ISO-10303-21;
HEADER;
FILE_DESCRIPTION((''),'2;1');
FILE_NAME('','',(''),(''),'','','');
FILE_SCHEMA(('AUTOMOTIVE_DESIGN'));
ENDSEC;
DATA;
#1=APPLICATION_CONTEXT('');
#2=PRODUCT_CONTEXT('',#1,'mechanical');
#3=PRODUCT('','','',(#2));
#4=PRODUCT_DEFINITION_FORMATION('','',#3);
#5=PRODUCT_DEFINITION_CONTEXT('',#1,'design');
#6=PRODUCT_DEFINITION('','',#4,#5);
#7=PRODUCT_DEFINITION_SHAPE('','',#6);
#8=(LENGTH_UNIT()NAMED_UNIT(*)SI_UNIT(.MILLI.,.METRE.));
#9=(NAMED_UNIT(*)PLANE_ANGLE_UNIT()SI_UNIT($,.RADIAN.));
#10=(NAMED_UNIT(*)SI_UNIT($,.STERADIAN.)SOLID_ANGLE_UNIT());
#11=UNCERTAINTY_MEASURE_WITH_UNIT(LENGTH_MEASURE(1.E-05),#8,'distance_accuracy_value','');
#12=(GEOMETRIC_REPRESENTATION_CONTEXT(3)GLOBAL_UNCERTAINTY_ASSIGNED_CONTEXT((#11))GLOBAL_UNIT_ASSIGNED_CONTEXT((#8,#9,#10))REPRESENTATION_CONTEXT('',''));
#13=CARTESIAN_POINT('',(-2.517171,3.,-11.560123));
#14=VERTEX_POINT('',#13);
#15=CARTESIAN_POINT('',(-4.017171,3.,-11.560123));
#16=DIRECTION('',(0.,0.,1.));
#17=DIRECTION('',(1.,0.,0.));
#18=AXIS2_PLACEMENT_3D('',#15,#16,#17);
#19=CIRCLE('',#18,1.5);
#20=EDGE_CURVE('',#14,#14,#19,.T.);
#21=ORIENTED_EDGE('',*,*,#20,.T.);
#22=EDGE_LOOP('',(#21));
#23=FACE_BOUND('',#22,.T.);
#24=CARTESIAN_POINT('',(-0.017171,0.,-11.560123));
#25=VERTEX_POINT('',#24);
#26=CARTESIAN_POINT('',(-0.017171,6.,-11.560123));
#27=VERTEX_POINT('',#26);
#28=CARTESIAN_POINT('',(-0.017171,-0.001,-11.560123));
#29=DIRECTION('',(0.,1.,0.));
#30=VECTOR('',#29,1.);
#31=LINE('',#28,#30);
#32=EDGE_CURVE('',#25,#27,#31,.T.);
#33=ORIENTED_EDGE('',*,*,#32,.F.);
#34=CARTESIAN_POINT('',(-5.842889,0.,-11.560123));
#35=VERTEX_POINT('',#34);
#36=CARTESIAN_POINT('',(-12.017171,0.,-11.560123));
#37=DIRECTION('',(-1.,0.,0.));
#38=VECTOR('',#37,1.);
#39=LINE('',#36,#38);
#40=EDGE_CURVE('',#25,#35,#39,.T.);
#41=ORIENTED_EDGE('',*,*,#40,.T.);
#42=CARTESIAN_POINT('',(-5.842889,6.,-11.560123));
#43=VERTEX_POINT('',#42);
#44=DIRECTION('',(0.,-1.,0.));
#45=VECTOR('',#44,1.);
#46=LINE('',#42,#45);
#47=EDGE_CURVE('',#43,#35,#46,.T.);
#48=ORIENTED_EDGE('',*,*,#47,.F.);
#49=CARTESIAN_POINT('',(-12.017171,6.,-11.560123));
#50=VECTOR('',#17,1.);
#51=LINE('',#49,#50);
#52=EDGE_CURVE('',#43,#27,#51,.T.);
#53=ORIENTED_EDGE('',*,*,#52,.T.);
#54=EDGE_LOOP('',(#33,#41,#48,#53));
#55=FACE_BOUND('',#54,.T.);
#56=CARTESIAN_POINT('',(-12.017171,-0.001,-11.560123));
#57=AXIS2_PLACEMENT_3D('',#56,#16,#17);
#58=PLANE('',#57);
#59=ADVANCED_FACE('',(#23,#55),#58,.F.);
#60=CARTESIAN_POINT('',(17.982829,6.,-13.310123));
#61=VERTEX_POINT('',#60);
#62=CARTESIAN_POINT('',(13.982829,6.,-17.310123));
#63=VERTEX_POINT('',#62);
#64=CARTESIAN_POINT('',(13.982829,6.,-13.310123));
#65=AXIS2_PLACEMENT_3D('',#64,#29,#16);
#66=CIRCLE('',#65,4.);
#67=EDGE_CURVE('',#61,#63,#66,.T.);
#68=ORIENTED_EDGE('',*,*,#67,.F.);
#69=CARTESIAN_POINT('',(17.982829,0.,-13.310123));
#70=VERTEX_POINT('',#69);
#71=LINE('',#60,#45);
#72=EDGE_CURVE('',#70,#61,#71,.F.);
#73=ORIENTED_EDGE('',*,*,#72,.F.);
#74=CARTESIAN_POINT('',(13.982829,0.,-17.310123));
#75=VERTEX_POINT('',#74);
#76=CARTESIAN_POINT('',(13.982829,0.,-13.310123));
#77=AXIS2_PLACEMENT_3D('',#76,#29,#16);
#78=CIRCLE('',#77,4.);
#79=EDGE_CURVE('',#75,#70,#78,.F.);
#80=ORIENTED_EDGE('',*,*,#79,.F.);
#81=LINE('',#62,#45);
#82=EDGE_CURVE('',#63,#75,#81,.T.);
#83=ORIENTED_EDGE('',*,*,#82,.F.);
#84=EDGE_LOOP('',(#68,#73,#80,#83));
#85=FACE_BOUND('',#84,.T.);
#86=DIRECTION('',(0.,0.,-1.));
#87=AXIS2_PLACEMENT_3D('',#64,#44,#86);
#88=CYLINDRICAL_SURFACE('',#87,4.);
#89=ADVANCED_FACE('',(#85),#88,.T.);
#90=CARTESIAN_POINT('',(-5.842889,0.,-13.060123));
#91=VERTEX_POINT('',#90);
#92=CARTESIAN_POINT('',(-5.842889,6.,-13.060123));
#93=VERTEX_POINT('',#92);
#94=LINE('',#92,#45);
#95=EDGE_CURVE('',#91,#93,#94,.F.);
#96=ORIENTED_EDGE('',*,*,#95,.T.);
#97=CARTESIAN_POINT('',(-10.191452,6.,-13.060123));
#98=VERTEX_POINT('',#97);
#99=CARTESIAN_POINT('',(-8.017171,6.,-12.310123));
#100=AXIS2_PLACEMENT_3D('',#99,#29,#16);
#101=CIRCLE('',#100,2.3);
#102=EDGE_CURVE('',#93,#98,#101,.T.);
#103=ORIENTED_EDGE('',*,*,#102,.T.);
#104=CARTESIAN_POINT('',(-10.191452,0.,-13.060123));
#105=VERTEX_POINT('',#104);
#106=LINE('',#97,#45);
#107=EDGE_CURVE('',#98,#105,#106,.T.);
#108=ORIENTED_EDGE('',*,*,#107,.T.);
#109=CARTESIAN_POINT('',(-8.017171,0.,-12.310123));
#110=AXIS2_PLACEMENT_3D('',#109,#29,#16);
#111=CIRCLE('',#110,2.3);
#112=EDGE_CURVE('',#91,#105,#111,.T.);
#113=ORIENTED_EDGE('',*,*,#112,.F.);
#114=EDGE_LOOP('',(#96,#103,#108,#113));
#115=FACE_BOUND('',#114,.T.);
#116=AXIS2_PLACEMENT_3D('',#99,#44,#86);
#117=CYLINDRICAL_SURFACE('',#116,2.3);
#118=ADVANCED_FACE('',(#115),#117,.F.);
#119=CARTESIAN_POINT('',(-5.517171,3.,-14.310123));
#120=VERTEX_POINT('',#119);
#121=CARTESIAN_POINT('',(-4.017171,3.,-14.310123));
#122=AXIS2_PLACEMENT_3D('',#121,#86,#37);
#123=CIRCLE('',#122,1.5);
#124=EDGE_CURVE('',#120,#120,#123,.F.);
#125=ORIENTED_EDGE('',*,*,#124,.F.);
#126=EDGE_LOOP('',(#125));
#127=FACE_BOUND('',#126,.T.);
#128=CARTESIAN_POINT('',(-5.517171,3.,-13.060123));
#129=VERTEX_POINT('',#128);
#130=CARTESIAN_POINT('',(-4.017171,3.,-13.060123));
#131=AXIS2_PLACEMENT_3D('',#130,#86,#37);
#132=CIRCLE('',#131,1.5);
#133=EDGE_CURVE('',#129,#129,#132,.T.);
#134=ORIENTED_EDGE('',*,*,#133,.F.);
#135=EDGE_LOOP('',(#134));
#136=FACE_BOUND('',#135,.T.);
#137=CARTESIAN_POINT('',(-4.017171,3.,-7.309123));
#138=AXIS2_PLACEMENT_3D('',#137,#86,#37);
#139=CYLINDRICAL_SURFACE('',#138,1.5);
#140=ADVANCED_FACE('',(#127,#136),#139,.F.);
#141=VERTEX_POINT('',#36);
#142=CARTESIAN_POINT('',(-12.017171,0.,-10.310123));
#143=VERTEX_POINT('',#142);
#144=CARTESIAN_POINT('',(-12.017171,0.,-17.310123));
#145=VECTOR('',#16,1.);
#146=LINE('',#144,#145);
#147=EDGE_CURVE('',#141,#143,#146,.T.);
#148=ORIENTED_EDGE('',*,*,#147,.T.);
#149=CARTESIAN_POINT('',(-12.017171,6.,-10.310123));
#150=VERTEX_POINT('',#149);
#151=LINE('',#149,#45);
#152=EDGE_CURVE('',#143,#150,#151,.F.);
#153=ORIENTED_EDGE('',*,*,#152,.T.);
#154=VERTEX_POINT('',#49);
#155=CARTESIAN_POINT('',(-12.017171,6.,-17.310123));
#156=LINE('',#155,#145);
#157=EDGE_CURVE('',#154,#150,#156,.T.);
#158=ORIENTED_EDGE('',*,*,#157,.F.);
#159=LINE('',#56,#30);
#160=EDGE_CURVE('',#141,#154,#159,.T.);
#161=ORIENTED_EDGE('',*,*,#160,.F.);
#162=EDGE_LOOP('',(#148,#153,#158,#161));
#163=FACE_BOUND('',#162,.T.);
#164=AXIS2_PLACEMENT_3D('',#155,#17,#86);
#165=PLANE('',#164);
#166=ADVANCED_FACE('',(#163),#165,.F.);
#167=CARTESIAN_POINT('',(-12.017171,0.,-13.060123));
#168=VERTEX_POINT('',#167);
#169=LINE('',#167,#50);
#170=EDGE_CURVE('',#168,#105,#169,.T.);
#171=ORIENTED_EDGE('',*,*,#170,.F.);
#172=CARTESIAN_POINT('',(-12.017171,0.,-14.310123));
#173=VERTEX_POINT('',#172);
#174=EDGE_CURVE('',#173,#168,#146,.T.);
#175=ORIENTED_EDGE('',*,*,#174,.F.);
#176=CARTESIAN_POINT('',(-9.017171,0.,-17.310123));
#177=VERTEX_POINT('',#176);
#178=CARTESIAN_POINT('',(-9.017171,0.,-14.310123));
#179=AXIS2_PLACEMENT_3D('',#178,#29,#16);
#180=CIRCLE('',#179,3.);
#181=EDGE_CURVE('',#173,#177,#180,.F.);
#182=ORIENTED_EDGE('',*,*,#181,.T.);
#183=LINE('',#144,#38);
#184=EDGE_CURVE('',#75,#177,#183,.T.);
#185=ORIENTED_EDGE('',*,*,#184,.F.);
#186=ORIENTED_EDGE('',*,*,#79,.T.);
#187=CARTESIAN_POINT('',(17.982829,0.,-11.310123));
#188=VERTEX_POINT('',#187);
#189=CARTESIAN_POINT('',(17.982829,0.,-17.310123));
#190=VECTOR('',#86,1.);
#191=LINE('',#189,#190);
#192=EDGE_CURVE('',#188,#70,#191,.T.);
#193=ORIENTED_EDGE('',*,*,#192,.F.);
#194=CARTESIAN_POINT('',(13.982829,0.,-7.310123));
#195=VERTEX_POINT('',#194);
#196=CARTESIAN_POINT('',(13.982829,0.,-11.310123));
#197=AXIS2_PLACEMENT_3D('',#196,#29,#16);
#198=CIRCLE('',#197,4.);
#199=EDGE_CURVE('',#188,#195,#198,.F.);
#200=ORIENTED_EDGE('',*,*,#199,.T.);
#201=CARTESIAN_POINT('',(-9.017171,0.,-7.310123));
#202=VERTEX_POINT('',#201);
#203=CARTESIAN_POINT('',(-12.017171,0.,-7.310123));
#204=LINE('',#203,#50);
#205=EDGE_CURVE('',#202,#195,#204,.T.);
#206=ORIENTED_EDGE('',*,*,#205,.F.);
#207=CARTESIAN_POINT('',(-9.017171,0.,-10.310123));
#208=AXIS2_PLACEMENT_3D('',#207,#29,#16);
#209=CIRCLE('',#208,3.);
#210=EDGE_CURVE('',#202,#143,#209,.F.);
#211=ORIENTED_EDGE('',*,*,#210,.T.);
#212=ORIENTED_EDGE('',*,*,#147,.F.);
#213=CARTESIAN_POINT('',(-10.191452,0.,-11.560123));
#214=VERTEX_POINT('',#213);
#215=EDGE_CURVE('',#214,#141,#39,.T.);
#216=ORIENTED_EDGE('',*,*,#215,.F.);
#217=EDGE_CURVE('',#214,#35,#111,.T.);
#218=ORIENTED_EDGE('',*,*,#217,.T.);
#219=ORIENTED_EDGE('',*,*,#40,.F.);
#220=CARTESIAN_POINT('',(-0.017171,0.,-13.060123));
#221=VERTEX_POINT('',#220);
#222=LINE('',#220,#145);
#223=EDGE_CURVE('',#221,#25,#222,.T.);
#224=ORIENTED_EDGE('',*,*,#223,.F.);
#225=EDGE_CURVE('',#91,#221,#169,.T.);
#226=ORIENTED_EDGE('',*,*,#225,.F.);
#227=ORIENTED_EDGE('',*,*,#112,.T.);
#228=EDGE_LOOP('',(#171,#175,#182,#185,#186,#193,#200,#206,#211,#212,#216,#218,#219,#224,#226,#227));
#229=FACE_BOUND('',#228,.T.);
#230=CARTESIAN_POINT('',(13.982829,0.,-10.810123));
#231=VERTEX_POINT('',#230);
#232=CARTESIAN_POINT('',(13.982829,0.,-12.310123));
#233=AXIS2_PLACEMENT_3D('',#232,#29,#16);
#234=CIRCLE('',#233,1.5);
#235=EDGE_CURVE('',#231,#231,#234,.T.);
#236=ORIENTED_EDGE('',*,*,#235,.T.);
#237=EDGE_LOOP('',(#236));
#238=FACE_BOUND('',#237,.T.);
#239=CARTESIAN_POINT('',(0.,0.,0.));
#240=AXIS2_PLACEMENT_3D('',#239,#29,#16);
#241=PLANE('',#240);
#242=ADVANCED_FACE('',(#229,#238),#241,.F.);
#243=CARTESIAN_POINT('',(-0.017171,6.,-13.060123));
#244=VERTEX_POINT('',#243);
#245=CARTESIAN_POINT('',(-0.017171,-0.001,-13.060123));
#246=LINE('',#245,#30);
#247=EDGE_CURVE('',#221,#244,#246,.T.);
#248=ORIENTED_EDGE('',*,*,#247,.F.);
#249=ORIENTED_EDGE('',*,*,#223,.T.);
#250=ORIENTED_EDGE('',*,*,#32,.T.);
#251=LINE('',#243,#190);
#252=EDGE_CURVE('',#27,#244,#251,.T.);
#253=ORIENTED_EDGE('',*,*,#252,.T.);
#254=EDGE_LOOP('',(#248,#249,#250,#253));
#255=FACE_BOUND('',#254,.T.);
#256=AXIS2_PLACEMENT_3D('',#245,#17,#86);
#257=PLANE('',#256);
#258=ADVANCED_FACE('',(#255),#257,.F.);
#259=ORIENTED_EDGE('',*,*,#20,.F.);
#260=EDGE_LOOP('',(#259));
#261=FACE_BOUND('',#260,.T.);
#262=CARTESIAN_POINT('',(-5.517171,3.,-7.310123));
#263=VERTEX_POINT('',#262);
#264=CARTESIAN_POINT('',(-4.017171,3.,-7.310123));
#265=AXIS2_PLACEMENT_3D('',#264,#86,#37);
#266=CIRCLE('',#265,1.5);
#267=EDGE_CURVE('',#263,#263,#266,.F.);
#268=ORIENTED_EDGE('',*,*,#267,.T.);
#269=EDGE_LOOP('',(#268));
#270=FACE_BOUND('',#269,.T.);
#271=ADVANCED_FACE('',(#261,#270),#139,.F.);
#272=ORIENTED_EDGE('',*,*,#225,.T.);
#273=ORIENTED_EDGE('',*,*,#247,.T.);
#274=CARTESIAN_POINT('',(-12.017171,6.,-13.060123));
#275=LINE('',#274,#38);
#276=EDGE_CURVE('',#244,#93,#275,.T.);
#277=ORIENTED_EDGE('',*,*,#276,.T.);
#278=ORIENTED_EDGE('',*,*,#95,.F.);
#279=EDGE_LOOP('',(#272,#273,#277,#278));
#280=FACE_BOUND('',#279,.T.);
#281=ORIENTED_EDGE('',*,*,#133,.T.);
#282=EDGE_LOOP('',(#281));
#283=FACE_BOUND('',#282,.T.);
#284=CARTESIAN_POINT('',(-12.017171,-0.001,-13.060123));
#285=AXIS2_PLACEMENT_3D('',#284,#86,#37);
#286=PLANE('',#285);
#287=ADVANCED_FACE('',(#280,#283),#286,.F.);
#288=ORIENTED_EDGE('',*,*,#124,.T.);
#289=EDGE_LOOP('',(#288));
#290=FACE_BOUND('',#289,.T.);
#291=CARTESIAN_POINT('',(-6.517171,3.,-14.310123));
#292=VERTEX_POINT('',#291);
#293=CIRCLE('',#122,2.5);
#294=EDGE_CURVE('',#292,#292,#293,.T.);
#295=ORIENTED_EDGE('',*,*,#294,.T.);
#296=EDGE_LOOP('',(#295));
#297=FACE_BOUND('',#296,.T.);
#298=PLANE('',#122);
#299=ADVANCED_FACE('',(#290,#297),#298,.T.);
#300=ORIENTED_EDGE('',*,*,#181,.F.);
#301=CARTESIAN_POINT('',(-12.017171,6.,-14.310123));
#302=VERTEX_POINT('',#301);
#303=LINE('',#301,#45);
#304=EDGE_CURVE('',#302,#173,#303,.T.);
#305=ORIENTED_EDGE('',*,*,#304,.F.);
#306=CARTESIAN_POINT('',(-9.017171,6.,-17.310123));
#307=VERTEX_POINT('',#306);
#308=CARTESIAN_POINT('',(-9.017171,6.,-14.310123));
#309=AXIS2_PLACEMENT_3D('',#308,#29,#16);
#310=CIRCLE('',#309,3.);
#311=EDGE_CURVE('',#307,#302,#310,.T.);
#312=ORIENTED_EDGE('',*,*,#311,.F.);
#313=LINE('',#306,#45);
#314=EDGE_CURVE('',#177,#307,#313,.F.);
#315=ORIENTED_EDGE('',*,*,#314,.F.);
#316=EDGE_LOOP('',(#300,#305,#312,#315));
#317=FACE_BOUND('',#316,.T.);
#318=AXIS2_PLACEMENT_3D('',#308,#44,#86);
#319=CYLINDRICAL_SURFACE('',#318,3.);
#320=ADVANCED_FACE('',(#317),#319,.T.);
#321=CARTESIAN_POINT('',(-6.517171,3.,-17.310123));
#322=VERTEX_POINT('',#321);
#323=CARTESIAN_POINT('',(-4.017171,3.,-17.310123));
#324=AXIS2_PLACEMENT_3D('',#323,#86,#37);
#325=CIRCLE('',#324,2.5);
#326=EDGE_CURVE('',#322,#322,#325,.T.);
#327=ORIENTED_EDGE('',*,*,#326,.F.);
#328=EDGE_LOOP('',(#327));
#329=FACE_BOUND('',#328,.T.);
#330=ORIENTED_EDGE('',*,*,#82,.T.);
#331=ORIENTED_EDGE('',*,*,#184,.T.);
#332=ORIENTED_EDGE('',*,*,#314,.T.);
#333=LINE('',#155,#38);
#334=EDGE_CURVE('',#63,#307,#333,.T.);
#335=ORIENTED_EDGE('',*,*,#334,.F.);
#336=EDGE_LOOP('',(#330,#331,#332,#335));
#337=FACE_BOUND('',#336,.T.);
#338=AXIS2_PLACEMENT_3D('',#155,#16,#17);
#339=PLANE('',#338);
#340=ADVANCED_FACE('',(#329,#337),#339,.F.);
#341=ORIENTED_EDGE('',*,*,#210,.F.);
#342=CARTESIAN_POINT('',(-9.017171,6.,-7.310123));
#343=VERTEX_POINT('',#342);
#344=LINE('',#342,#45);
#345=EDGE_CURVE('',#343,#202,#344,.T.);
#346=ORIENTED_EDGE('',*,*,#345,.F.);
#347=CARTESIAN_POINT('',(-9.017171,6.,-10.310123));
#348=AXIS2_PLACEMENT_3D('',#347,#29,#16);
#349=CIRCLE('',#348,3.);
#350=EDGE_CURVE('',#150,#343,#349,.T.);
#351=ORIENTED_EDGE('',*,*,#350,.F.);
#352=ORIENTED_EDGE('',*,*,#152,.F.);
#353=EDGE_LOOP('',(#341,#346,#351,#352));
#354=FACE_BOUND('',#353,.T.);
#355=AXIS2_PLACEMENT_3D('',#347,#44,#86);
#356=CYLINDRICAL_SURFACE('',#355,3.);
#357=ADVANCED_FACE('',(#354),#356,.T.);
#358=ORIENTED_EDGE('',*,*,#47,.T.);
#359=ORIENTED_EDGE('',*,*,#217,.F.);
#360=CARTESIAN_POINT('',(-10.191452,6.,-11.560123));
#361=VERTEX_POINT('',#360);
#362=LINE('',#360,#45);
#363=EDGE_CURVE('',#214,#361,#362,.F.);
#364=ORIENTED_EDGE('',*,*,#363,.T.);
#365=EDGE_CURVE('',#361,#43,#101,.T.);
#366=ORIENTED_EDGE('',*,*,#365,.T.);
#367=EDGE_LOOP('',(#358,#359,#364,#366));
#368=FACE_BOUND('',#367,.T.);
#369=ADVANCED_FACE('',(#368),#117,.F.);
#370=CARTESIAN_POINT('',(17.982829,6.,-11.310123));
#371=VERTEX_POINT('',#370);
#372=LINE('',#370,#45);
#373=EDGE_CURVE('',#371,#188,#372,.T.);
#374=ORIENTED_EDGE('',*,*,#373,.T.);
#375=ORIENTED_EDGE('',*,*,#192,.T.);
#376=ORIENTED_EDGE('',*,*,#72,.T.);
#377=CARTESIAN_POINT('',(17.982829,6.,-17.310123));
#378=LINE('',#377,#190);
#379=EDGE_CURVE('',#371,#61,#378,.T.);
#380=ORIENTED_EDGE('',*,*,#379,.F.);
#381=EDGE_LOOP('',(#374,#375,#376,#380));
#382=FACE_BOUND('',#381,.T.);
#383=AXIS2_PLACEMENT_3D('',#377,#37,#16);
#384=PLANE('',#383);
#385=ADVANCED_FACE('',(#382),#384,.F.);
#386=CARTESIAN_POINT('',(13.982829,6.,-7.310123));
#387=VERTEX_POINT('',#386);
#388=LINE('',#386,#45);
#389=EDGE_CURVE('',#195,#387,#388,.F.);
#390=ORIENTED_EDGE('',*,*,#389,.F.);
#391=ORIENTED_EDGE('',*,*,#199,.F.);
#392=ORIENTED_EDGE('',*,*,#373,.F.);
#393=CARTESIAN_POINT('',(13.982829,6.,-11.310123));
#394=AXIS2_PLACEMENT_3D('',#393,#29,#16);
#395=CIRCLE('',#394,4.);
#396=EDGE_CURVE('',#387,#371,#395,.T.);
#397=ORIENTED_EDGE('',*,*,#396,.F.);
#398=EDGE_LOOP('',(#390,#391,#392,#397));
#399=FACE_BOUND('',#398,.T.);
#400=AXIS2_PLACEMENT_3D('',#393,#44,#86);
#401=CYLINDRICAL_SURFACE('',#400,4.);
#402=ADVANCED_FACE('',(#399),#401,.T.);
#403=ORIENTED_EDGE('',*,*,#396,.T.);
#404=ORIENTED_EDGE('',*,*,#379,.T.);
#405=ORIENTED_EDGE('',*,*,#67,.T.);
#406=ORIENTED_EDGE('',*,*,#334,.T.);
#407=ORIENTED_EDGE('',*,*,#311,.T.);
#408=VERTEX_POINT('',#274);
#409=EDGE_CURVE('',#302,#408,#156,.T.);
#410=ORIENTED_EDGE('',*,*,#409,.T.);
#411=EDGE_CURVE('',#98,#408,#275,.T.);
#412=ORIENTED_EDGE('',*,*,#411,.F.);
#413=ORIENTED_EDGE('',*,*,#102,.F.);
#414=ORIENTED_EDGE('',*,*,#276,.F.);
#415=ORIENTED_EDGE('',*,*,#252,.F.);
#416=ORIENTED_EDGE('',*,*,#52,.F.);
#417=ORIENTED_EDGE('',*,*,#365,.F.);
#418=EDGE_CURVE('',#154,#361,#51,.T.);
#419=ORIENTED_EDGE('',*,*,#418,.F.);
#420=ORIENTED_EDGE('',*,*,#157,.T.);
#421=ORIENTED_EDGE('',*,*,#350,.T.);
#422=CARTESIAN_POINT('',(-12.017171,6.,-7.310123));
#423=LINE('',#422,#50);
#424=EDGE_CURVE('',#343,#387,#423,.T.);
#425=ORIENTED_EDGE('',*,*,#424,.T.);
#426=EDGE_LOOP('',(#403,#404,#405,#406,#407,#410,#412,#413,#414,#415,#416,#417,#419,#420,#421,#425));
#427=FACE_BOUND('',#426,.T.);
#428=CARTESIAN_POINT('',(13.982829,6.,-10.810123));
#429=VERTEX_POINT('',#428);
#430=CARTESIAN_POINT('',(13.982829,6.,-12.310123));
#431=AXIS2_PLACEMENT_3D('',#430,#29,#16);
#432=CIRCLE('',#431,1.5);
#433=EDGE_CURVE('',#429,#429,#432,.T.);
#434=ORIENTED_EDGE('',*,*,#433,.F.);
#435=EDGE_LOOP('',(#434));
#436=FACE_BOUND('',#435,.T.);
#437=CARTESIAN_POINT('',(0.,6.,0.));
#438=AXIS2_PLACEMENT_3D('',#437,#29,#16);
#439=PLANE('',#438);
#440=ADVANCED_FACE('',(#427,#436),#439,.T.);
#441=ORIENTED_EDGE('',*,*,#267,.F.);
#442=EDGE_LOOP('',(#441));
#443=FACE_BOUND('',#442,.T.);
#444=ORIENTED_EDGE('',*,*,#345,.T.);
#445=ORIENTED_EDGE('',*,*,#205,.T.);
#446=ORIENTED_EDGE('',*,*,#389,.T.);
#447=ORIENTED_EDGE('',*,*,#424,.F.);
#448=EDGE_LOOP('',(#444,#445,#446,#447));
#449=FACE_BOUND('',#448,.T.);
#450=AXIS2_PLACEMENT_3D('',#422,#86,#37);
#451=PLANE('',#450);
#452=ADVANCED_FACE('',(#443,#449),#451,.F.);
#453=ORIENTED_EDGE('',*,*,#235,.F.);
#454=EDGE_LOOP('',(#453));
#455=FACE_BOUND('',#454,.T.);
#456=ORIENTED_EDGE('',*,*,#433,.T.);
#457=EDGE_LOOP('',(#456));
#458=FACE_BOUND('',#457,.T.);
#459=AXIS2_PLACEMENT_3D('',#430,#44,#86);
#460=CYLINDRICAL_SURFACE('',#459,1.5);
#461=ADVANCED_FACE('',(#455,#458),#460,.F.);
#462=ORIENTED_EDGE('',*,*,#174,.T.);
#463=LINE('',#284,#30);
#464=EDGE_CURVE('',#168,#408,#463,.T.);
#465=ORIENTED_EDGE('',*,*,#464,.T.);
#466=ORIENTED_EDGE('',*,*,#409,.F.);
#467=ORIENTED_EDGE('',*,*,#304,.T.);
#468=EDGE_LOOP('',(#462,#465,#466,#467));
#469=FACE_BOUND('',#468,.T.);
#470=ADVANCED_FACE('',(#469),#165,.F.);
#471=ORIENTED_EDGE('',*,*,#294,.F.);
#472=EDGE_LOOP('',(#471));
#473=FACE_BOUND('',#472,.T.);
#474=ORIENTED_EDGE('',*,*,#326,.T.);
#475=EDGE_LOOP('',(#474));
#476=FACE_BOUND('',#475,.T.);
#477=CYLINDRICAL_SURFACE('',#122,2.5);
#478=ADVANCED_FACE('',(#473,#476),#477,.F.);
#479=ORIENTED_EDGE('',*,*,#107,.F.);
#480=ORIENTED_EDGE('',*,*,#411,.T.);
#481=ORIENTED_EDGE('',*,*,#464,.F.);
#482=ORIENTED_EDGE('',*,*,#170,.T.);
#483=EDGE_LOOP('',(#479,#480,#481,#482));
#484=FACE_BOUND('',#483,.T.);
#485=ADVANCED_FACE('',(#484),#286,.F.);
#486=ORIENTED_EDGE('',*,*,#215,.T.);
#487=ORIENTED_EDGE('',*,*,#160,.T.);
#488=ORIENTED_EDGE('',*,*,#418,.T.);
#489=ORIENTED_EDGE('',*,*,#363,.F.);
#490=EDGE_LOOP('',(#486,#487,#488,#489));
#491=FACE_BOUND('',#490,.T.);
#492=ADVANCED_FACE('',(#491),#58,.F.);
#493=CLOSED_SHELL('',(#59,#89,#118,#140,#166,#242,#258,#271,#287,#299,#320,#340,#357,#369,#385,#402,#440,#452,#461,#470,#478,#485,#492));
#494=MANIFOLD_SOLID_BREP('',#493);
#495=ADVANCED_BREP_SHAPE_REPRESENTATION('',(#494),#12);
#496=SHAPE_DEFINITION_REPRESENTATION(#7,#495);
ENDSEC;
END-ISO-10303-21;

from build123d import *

# Parameters (mm, degrees)
SKETCH1_W           = 30
SKETCH1_H           = 10
SKETCH1_R           = 2.3
SKETCH1_R_2         = 1.5
BOSS_EXTRUDE1_DEPTH = 6
FILLET1_R           = 4
FILLET2_R           = 3
CUT_EXTRUDE1_REACH  = 23.433
SKETCH3_R           = 1.5
SKETCH4_R           = 1.75
CUT_EXTRUDE2_DEPTH  = 3
SKETCH7_R           = 2.5
CUT_EXTRUDE6_DEPTH  = 3
CUT_EXTRUDE7_START  = -6
SKETCH8_W           = 12
SKETCH8_H           = 1.5
CUT_EXTRUDE7_DEPTH  = 6


with BuildPart() as part:
    # Sketch1 → Boss-Extrude1 (new body)
    with BuildSketch(Plane(origin=(0, 0, 0), x_dir=(1, 0, 0), z_dir=(0, 1, 0))):
        with Locations((2.982829209, 12.310123294)):
            Rectangle(SKETCH1_W, SKETCH1_H)
        with Locations(Location((-8.017170791, 12.310123294, 0), (0, 0, 270))):
            Circle(SKETCH1_R, mode=Mode.SUBTRACT)
        with Locations(Location((13.982829209, 12.310123294, 0), (0, 0, 270))):
            Circle(SKETCH1_R_2, mode=Mode.SUBTRACT)
    extrude(amount=BOSS_EXTRUDE1_DEPTH)

    # Fillet1
    fillet1_edges = [part.edges().sort_by_distance(p)[0] for p in [
        (17.982829209, 3, -17.310123294),
        (17.982829209, 3, -7.310123294),
    ]]
    fillet(fillet1_edges, radius=FILLET1_R)

    # Fillet2
    fillet2_edges = [part.edges().sort_by_distance(p)[0] for p in [
        (-12.017170791, 3, -17.310123294),
        (-12.017170791, 3, -7.310123294),
    ]]
    fillet(fillet2_edges, radius=FILLET2_R)

    # Sketch3 → Cut-Extrude1 (cut, up to next)
    with BuildSketch(Plane(origin=(0, 0, -17.310123294), x_dir=(-1, 0, 0), z_dir=(0, 0, -1)), mode=Mode.PRIVATE) as cut_extrude1_sk1:
        with Locations((4.017170791, 3)):
            Circle(SKETCH3_R)
    cut_extrude1_tool1 = extrude(cut_extrude1_sk1.sketch, amount=-CUT_EXTRUDE1_REACH, mode=Mode.PRIVATE) & part.part
    add(cut_extrude1_tool1.solids().sort_by_distance((-4.017171, 3, -17.310123))[0], mode=Mode.SUBTRACT)

    # Sketch4 → Cut-Extrude2 (cut)
    with BuildSketch(Plane(origin=(0, 0, -17.310123294), x_dir=(-1, 0, 0), z_dir=(0, 0, -1))):
        with Locations((4.017170791, 3)):
            Circle(SKETCH4_R)
    extrude(amount=-CUT_EXTRUDE2_DEPTH, mode=Mode.SUBTRACT)

    # Sketch7 → Cut-Extrude6 (cut)
    with BuildSketch(Plane(origin=(0, 0, -17.310123294), x_dir=(-1, 0, 0), z_dir=(0, 0, -1))):
        with Locations((4.017170791, 3)):
            Circle(SKETCH7_R)
    extrude(amount=-CUT_EXTRUDE6_DEPTH, mode=Mode.SUBTRACT)

    # Sketch8 → Cut-Extrude7 (cut)
    with BuildSketch(Plane(origin=(0, 6, 0), x_dir=(1, 0, 0), z_dir=(0, 1, 0)).offset(CUT_EXTRUDE7_START)):
        with Locations((-6.017170791, 12.310123294)):
            Rectangle(SKETCH8_W, SKETCH8_H)
    extrude(amount=CUT_EXTRUDE7_DEPTH, mode=Mode.SUBTRACT)


solid = part.part
